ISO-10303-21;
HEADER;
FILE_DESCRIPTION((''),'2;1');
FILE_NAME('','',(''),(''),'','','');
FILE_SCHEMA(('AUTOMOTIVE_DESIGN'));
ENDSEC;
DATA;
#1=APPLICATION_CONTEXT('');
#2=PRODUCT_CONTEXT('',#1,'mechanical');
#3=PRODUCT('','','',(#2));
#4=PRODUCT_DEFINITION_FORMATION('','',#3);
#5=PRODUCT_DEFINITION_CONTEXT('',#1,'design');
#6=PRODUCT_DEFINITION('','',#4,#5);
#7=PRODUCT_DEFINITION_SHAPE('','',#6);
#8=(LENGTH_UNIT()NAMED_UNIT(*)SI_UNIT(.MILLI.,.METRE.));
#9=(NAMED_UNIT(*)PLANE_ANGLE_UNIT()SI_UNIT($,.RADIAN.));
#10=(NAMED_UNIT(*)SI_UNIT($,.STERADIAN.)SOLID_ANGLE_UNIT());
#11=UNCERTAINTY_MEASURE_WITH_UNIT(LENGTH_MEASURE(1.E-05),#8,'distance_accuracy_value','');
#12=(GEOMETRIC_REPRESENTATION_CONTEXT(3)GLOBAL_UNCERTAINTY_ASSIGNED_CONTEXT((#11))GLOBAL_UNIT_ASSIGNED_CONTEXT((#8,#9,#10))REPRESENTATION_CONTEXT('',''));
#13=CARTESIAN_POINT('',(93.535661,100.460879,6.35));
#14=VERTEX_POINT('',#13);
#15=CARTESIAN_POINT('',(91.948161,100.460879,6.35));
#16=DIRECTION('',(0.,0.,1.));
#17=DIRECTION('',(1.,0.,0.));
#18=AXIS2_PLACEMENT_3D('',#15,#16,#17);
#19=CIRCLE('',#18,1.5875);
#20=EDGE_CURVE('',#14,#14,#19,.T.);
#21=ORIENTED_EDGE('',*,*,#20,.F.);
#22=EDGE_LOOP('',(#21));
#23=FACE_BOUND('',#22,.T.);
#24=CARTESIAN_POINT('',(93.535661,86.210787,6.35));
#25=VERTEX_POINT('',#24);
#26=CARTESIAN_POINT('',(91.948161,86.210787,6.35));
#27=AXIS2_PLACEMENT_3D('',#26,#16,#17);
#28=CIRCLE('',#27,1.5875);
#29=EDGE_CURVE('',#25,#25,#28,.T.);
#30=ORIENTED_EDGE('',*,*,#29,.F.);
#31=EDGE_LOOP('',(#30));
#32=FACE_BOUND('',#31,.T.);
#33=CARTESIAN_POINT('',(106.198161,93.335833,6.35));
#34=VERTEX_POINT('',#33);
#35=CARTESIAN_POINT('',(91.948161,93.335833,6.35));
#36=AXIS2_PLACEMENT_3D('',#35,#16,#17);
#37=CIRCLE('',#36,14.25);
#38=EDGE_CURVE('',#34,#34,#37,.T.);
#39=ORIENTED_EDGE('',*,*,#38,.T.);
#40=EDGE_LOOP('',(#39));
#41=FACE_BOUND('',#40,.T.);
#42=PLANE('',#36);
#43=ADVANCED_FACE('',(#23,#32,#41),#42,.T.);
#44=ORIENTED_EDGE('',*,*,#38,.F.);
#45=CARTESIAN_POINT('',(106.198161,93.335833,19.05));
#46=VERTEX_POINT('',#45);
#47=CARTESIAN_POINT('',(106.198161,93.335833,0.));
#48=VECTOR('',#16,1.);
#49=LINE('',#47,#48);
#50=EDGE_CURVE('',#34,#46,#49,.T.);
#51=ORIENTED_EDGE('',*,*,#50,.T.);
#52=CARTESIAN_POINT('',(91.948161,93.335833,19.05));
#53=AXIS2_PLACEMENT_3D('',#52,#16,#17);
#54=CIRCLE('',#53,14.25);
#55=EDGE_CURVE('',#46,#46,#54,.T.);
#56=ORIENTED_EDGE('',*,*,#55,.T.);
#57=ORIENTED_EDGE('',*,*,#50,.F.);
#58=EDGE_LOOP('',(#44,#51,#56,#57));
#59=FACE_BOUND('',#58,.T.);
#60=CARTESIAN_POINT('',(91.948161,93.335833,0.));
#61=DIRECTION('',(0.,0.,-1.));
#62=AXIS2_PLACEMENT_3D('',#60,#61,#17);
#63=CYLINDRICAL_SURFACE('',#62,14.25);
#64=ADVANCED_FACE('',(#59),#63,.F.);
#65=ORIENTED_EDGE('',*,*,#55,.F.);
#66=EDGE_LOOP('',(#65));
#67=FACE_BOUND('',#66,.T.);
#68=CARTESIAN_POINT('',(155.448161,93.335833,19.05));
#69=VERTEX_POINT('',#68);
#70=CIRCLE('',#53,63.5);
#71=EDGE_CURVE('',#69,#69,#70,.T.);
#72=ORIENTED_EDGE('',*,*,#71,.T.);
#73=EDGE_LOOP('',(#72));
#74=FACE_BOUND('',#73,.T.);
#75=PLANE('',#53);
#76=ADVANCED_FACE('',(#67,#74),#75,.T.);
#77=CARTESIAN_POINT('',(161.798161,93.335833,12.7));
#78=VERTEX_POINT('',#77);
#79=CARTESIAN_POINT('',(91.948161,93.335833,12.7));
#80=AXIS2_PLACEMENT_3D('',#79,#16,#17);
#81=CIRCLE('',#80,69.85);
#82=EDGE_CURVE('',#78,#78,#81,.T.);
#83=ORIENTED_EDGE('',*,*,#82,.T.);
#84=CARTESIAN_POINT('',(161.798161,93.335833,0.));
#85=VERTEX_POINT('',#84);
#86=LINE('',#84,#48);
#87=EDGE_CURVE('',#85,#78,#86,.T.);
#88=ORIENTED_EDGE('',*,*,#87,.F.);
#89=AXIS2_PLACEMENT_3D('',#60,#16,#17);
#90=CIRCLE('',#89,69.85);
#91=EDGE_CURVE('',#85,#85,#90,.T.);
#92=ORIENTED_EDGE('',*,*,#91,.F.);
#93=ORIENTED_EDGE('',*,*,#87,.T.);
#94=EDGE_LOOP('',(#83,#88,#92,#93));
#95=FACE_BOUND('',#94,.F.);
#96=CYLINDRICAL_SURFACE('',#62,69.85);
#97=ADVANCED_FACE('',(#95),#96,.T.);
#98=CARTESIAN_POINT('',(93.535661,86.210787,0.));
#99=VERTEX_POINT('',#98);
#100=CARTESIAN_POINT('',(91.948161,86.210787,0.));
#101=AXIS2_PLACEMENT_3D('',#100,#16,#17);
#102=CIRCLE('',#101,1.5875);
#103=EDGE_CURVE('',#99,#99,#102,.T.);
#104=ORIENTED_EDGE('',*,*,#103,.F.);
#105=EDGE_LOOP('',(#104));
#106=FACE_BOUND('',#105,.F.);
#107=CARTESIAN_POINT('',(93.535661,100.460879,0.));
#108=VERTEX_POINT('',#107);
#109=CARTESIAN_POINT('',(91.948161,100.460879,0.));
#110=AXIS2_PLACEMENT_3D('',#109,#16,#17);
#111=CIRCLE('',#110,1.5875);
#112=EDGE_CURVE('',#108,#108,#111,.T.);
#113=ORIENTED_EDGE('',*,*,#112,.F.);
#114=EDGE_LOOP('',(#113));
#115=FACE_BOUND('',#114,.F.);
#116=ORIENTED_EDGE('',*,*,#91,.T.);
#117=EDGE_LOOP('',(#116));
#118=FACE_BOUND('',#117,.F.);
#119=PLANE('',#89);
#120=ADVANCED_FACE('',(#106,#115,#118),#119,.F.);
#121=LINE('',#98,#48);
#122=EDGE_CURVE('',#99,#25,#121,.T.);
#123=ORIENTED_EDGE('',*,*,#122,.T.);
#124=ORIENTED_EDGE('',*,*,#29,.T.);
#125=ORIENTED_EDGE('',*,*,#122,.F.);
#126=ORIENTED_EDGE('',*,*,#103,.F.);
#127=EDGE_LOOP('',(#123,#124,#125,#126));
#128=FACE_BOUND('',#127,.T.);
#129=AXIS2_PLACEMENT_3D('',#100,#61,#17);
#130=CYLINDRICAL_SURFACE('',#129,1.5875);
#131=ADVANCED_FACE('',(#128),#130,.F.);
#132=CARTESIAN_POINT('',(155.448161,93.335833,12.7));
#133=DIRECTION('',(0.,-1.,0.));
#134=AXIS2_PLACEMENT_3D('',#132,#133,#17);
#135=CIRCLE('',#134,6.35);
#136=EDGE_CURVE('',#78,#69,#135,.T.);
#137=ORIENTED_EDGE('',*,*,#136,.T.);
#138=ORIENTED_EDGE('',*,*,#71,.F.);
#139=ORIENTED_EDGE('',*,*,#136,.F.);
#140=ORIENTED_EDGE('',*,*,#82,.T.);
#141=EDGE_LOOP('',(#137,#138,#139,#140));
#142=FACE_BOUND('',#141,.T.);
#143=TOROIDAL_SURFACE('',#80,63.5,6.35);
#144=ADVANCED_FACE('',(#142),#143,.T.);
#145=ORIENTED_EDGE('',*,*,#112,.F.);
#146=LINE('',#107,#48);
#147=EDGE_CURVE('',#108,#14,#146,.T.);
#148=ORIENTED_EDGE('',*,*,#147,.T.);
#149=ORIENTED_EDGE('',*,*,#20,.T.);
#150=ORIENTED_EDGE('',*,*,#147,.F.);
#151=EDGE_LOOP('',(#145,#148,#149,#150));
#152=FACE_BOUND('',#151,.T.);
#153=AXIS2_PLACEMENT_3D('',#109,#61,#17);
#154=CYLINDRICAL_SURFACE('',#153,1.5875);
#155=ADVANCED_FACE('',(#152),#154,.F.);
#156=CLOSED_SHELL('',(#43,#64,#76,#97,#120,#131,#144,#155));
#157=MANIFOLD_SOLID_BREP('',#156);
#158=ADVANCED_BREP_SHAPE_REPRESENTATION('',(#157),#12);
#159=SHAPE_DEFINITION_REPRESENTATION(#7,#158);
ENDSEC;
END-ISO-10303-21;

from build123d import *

# Parameters (mm, degrees)
F0_R     = 69.85
F0_R_2   = 14.25
F1_DEPTH = 19.05
F0_R_3   = 1.5875
F2_DEPTH = 6.35
F3_R     = 6.35


with BuildPart() as f1:
    # F0 (on Top) → F1 (new body)
    with BuildSketch(Plane.XY):
        with Locations((91.948161, 93.335833)):
            Circle(F0_R)
        with Locations((91.948161, 93.335833)):
            Circle(F0_R_2, mode=Mode.SUBTRACT)
    extrude(amount=F1_DEPTH)

    # F0 (on Top) → F2 (join)
    with BuildSketch(Plane.XY):
        with Locations((91.948161, 93.335833)):
            Circle(F0_R_2)
        with Locations((91.948161, 86.210787)):
            Circle(F0_R_3, mode=Mode.SUBTRACT)
        with Locations((91.948161, 100.460879)):
            Circle(F0_R_3, mode=Mode.SUBTRACT)
    extrude(amount=F2_DEPTH)

    # F3
    f3_edges = [f1.edges().sort_by_distance(p)[0] for p in [
        (22.098161, 93.335833, 19.05),
    ]]
    fillet(f3_edges, radius=F3_R)


solid = f1.part
